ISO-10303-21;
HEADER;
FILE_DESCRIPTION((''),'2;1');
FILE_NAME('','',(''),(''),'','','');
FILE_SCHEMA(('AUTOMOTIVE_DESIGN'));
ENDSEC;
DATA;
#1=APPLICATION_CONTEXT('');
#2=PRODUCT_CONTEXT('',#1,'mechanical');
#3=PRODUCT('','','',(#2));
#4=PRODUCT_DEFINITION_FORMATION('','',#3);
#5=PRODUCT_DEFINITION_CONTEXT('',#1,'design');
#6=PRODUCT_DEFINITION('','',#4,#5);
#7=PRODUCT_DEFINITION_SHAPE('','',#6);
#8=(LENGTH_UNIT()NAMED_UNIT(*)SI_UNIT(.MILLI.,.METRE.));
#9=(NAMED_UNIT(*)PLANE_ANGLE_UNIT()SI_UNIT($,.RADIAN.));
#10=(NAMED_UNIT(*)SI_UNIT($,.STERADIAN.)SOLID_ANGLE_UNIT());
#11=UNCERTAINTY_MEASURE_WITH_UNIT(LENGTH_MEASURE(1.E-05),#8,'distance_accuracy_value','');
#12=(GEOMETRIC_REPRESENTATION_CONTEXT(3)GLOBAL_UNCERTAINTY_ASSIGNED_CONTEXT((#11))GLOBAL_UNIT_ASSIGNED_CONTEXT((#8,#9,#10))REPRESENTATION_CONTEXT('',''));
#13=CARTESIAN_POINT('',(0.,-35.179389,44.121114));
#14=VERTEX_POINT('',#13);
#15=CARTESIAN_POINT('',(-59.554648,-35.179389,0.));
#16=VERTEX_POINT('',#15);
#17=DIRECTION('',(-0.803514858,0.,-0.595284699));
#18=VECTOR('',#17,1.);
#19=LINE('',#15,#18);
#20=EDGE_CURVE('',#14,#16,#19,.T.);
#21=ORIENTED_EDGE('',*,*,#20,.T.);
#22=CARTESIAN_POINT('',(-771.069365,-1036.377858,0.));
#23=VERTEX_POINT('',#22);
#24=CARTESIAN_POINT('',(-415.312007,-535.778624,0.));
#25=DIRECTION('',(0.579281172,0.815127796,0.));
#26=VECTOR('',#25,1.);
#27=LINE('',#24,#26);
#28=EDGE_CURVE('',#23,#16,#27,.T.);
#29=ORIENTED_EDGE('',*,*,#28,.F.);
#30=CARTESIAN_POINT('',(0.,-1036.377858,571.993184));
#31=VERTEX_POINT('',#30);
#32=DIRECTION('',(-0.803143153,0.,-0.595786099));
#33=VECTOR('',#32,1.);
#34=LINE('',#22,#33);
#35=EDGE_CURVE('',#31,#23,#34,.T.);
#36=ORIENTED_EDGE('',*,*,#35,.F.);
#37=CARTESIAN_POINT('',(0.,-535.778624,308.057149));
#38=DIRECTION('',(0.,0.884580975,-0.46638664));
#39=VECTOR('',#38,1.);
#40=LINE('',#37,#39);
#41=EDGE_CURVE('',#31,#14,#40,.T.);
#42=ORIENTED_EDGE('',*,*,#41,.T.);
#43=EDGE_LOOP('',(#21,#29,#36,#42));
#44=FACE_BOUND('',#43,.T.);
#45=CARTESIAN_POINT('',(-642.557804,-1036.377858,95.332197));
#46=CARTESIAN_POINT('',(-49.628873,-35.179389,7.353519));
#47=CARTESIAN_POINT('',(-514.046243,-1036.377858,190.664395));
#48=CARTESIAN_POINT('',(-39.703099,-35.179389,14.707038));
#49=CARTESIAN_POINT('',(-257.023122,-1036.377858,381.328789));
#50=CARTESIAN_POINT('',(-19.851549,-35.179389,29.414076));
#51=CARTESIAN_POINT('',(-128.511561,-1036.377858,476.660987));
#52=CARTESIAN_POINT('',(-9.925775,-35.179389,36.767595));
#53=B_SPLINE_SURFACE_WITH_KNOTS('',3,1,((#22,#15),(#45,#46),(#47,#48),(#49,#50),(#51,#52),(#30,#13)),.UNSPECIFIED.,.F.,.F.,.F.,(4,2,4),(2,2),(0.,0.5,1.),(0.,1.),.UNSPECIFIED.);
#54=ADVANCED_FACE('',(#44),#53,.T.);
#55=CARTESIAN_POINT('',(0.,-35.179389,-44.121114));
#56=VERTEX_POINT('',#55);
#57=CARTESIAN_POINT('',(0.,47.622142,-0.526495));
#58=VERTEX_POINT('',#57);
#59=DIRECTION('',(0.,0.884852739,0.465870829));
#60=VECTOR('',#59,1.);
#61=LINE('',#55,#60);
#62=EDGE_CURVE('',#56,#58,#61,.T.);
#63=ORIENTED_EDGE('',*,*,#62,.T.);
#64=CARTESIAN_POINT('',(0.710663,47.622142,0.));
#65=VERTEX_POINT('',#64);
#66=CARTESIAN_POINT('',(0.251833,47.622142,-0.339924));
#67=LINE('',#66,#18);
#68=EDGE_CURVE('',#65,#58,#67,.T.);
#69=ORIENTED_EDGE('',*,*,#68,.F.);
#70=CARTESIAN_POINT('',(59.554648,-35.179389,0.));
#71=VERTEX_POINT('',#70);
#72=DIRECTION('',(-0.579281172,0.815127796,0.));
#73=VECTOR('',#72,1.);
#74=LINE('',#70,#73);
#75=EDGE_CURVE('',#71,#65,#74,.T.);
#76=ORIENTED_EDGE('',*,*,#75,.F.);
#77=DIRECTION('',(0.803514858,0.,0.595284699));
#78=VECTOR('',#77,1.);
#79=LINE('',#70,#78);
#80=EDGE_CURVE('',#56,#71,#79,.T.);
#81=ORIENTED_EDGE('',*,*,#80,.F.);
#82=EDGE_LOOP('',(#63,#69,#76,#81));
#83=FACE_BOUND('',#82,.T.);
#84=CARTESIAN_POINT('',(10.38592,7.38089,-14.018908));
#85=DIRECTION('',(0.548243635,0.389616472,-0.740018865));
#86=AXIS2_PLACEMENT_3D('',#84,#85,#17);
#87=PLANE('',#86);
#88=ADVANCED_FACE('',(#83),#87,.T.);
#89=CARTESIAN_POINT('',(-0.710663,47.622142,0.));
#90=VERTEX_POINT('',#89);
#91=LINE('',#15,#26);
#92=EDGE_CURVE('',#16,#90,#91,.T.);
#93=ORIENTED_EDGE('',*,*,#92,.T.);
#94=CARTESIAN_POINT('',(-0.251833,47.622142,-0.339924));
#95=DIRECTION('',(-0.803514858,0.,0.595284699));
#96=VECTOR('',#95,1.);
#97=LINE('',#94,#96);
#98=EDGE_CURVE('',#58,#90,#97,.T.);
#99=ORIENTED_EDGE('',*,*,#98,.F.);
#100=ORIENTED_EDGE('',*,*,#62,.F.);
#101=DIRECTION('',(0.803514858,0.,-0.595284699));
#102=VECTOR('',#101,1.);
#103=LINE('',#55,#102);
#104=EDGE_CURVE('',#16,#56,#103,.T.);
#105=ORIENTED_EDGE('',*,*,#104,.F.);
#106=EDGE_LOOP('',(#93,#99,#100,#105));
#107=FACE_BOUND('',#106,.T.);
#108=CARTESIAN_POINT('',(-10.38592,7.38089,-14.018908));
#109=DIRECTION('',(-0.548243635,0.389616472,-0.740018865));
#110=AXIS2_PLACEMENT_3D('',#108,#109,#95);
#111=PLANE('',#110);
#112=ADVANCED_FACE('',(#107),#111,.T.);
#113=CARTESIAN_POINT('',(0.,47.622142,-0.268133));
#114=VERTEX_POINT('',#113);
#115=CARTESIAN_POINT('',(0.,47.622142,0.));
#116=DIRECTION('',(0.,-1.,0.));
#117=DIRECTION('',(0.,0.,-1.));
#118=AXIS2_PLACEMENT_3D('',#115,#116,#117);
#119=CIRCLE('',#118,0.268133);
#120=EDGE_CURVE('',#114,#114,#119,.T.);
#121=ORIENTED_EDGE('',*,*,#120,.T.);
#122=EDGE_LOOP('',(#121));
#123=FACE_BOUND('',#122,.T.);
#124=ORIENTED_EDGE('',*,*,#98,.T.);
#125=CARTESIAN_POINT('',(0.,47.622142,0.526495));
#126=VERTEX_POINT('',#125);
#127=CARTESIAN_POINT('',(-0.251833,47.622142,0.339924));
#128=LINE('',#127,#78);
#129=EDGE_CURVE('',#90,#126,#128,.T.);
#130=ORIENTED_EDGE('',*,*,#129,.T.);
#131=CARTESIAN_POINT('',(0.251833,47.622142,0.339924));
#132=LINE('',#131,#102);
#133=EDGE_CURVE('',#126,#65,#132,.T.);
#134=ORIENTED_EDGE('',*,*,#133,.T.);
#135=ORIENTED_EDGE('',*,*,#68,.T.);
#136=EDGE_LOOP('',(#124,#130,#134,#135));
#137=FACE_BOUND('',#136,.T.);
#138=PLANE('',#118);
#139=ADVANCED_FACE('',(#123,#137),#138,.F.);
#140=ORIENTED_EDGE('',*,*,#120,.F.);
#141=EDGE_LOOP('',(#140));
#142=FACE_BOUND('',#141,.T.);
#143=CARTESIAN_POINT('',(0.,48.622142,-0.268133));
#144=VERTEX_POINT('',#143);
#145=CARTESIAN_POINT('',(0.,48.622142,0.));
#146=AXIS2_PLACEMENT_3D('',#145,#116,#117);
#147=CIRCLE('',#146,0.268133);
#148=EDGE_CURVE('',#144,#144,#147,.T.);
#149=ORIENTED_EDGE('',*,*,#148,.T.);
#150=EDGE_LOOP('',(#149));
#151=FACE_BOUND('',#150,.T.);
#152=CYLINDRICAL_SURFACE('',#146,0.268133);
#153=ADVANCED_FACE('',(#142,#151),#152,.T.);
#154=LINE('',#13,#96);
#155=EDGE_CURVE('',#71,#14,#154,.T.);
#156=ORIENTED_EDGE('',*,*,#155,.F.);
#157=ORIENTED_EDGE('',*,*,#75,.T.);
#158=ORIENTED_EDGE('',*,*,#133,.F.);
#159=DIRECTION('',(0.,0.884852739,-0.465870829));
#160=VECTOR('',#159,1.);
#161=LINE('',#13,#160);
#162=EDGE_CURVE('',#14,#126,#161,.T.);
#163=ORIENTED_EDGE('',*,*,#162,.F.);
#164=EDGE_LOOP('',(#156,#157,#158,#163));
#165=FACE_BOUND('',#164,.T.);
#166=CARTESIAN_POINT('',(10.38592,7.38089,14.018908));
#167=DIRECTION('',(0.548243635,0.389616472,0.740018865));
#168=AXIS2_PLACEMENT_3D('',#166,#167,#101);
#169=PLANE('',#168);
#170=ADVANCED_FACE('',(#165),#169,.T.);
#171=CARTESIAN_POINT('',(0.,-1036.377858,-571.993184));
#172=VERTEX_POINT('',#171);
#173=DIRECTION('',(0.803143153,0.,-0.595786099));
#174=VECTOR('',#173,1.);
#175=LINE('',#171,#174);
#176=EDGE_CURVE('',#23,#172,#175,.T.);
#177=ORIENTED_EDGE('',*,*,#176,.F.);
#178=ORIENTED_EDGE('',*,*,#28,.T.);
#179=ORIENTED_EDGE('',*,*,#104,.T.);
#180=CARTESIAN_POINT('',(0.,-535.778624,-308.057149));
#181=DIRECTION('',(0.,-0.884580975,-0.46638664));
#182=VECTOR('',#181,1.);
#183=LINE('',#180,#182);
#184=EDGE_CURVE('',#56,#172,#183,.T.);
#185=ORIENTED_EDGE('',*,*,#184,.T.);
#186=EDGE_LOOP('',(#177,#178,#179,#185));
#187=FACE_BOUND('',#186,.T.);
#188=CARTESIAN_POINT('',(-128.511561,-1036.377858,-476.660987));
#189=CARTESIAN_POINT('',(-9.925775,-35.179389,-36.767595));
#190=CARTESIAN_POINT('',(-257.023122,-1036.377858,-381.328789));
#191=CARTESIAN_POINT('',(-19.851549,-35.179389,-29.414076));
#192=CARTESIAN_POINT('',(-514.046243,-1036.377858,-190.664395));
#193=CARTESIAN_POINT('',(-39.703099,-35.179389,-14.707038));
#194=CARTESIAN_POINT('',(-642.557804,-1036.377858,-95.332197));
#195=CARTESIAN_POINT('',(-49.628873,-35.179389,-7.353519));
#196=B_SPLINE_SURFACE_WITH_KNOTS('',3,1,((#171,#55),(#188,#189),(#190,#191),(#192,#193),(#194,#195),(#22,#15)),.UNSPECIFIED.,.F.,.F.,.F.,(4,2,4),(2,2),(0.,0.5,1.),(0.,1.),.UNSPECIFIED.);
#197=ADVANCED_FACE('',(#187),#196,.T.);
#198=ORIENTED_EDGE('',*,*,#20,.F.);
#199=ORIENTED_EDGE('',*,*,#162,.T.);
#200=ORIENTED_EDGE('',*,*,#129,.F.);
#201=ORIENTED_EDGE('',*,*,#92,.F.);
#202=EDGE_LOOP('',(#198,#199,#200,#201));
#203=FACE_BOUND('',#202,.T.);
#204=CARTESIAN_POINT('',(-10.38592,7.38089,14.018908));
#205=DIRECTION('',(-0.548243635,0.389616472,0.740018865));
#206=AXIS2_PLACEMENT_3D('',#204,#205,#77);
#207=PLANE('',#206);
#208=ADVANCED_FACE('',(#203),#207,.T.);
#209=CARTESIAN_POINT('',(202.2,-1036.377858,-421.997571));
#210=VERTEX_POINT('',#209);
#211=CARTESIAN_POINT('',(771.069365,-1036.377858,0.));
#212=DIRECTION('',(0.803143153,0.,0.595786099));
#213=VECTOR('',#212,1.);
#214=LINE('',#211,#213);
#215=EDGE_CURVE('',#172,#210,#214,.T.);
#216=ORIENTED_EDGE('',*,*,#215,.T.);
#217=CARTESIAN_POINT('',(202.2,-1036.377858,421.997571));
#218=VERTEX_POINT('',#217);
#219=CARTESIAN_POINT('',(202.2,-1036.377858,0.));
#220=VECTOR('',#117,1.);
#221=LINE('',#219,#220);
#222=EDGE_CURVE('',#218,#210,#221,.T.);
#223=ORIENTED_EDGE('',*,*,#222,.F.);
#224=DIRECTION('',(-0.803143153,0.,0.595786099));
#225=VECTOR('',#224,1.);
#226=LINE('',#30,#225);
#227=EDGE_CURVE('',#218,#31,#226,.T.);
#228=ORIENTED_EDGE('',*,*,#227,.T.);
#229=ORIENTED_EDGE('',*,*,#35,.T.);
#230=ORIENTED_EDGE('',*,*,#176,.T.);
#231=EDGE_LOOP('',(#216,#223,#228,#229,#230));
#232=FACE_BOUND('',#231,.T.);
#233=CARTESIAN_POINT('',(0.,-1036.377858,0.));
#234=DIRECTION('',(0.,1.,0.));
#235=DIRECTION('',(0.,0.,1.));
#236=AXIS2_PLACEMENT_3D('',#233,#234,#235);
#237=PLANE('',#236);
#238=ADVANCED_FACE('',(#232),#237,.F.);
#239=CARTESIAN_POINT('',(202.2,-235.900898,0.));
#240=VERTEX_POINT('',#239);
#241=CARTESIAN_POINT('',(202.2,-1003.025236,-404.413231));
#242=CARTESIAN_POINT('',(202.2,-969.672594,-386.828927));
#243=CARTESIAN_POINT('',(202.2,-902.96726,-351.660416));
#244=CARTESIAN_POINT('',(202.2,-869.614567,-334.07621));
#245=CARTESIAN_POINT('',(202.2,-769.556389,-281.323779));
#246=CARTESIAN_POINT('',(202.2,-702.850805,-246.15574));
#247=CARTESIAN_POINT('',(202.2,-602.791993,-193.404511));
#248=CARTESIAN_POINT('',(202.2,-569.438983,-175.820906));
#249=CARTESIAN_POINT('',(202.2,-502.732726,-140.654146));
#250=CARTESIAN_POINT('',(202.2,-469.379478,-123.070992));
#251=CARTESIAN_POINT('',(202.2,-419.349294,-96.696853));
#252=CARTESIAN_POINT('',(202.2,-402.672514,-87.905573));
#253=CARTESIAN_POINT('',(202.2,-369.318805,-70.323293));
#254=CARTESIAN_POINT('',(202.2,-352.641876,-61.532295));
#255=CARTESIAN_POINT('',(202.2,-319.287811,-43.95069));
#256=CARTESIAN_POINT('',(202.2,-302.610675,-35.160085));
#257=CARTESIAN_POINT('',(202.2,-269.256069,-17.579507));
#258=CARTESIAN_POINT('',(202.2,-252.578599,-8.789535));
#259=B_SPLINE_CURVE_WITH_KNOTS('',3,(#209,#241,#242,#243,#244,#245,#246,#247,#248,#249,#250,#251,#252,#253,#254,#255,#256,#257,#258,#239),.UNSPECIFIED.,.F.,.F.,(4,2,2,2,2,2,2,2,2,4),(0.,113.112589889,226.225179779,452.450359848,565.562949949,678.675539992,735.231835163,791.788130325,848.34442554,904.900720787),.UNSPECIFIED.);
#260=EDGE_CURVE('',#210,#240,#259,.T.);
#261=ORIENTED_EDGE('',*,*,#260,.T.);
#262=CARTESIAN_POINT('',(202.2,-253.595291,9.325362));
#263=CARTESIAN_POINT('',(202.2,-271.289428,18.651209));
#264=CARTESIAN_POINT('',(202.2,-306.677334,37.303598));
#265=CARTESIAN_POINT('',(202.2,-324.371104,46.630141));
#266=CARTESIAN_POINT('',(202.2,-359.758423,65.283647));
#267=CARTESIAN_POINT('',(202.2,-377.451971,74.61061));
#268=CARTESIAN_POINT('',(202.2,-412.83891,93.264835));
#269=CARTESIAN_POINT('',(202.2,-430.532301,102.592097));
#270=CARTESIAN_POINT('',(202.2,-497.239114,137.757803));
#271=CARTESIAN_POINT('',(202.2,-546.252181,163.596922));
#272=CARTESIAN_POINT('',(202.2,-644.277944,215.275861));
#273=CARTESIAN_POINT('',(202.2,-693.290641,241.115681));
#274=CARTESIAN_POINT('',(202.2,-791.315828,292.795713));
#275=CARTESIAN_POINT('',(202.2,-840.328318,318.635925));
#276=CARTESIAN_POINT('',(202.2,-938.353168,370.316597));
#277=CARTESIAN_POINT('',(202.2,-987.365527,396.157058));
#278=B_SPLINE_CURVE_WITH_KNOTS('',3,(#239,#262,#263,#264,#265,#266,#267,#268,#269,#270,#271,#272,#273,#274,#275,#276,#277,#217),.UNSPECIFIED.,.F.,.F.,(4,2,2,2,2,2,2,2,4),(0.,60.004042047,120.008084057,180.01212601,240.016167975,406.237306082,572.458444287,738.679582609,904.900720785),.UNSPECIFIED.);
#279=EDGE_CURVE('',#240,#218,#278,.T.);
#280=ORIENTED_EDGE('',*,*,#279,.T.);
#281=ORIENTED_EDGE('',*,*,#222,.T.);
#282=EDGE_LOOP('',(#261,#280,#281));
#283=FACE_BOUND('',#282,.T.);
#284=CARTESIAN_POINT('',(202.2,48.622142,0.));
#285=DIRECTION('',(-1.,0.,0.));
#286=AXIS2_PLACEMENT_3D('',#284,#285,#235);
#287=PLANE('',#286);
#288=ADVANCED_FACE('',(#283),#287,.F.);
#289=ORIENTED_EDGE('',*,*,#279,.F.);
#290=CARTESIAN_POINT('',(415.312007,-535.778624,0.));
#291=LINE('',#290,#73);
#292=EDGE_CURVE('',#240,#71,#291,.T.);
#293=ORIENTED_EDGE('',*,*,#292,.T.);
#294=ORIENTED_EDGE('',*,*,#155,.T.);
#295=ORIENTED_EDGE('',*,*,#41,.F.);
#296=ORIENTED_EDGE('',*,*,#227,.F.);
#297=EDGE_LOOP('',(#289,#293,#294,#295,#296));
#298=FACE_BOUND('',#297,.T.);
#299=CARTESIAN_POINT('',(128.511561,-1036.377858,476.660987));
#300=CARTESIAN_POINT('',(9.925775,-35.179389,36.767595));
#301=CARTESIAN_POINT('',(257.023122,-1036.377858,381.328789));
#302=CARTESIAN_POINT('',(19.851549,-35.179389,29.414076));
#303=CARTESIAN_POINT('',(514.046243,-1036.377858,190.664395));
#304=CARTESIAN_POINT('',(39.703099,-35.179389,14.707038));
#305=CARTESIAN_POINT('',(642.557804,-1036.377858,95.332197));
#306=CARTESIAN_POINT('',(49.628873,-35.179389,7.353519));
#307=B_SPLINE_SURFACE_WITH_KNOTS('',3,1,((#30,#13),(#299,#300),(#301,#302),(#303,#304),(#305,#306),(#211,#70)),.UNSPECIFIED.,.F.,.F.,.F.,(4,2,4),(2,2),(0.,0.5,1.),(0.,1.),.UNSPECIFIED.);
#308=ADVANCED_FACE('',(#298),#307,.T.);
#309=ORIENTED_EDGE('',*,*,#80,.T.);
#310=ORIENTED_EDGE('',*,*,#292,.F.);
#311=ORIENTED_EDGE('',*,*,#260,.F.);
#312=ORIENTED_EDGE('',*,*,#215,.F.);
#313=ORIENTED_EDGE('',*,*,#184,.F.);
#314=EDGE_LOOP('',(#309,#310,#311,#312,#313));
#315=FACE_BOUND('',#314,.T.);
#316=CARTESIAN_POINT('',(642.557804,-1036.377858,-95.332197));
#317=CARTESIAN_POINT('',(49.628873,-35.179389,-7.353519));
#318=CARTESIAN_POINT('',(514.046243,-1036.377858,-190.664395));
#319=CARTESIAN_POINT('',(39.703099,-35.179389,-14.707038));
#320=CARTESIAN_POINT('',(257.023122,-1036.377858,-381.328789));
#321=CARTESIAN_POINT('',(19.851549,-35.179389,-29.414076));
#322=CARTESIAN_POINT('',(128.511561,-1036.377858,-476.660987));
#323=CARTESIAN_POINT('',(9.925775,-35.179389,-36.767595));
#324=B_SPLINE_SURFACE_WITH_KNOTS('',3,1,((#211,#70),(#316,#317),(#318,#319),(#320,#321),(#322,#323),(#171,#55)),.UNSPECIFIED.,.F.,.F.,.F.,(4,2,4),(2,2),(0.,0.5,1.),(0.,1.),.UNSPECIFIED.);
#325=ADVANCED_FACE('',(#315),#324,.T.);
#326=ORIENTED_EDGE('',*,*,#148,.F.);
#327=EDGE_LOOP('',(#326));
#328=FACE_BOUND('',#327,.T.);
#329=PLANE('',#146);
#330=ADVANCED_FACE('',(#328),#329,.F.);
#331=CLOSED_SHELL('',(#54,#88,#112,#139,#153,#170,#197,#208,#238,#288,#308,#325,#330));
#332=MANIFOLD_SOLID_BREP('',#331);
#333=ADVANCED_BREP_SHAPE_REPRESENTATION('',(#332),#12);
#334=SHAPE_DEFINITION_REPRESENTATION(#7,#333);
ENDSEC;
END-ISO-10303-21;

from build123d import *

# Parameters (mm, degrees)
CUT_EXTRUDE_1_DEPTH = 10
SKETCH_8_R          = 0.268132752
EXTRUDE_2_DEPTH     = 1
CUT_EXTRUDE_2_DEPTH = 1449.775057994


with BuildPart() as part:
    # 草图4 → 放样9 section 0
    with BuildSketch(Plane(origin=(0, -35.179389088, 0), x_dir=(-1, 0, 0), z_dir=(0, -1, 0)), mode=Mode.PRIVATE) as loft_9_s0:
        with BuildLine():
            Line((0, 44.121114102), (59.554648117, 0))
            Line((59.554648117, 0), (0, -44.121114102))
            Line((0, -44.121114102), (-59.554648117, 0))
            Line((-59.554648117, 0), (0, 44.121114102))
        make_face()
    loft([loft_9_s0.sketch, Vertex(0, 48.62214178, 0)])

    # 草图7 → 切除-拉伸1 (cut)
    with BuildSketch(Plane(origin=(0, 47.62214178, 0), x_dir=(-1, 0, 0), z_dir=(0, -1, 0))):
        Polygon((0, -44.121114102), (59.554648117, 0), (0, 44.121114102), (-59.554648117, 0), align=None)
    extrude(amount=-CUT_EXTRUDE_1_DEPTH, mode=Mode.SUBTRACT)

    # 草图8 → 凸台-拉伸2 (add)
    with BuildSketch(Plane(origin=(0, 47.62214178, 0), x_dir=(-1, 0, 0), z_dir=(0, -1, 0))):
        with Locations(Location((0, 0, 0), (0, 0, 90))):
            Circle(SKETCH_8_R)
    extrude(amount=-EXTRUDE_2_DEPTH)

    # 草图9 → section 0 of loft_10
    with BuildSketch(Plane(origin=(0, -1036.37785822, 0), x_dir=(-1, 0, 0), z_dir=(0, -1, 0)), mode=Mode.PRIVATE) as loft_10_s0:
        with BuildLine():
            Line((771.069365179, 0), (0, -571.993183946))
            Line((0, -571.993183946), (-771.069365179, 0))
            Line((-771.069365179, 0), (0, 571.993183946))
            Line((0, 571.993183946), (771.069365179, 0))
        make_face()
    # loft up to a face of the part (loft_10)
    loft([loft_10_s0.sketch, part.faces().sort_by_distance((0, -35.179389088, 0))[0]])

    # 草图10 → 切除-拉伸2 (cut, through all)
    with BuildSketch(Plane(origin=(0, -1036.37785822, 0), x_dir=(-1, 0, 0), z_dir=(0, -1, 0))):
        Polygon((-202.2, 0), (-202.2, 421.997571337), (-771.069365179, 0), (-202.2, -421.997571337), align=None)
    extrude(amount=-CUT_EXTRUDE_2_DEPTH, mode=Mode.SUBTRACT)


solid = part.part
